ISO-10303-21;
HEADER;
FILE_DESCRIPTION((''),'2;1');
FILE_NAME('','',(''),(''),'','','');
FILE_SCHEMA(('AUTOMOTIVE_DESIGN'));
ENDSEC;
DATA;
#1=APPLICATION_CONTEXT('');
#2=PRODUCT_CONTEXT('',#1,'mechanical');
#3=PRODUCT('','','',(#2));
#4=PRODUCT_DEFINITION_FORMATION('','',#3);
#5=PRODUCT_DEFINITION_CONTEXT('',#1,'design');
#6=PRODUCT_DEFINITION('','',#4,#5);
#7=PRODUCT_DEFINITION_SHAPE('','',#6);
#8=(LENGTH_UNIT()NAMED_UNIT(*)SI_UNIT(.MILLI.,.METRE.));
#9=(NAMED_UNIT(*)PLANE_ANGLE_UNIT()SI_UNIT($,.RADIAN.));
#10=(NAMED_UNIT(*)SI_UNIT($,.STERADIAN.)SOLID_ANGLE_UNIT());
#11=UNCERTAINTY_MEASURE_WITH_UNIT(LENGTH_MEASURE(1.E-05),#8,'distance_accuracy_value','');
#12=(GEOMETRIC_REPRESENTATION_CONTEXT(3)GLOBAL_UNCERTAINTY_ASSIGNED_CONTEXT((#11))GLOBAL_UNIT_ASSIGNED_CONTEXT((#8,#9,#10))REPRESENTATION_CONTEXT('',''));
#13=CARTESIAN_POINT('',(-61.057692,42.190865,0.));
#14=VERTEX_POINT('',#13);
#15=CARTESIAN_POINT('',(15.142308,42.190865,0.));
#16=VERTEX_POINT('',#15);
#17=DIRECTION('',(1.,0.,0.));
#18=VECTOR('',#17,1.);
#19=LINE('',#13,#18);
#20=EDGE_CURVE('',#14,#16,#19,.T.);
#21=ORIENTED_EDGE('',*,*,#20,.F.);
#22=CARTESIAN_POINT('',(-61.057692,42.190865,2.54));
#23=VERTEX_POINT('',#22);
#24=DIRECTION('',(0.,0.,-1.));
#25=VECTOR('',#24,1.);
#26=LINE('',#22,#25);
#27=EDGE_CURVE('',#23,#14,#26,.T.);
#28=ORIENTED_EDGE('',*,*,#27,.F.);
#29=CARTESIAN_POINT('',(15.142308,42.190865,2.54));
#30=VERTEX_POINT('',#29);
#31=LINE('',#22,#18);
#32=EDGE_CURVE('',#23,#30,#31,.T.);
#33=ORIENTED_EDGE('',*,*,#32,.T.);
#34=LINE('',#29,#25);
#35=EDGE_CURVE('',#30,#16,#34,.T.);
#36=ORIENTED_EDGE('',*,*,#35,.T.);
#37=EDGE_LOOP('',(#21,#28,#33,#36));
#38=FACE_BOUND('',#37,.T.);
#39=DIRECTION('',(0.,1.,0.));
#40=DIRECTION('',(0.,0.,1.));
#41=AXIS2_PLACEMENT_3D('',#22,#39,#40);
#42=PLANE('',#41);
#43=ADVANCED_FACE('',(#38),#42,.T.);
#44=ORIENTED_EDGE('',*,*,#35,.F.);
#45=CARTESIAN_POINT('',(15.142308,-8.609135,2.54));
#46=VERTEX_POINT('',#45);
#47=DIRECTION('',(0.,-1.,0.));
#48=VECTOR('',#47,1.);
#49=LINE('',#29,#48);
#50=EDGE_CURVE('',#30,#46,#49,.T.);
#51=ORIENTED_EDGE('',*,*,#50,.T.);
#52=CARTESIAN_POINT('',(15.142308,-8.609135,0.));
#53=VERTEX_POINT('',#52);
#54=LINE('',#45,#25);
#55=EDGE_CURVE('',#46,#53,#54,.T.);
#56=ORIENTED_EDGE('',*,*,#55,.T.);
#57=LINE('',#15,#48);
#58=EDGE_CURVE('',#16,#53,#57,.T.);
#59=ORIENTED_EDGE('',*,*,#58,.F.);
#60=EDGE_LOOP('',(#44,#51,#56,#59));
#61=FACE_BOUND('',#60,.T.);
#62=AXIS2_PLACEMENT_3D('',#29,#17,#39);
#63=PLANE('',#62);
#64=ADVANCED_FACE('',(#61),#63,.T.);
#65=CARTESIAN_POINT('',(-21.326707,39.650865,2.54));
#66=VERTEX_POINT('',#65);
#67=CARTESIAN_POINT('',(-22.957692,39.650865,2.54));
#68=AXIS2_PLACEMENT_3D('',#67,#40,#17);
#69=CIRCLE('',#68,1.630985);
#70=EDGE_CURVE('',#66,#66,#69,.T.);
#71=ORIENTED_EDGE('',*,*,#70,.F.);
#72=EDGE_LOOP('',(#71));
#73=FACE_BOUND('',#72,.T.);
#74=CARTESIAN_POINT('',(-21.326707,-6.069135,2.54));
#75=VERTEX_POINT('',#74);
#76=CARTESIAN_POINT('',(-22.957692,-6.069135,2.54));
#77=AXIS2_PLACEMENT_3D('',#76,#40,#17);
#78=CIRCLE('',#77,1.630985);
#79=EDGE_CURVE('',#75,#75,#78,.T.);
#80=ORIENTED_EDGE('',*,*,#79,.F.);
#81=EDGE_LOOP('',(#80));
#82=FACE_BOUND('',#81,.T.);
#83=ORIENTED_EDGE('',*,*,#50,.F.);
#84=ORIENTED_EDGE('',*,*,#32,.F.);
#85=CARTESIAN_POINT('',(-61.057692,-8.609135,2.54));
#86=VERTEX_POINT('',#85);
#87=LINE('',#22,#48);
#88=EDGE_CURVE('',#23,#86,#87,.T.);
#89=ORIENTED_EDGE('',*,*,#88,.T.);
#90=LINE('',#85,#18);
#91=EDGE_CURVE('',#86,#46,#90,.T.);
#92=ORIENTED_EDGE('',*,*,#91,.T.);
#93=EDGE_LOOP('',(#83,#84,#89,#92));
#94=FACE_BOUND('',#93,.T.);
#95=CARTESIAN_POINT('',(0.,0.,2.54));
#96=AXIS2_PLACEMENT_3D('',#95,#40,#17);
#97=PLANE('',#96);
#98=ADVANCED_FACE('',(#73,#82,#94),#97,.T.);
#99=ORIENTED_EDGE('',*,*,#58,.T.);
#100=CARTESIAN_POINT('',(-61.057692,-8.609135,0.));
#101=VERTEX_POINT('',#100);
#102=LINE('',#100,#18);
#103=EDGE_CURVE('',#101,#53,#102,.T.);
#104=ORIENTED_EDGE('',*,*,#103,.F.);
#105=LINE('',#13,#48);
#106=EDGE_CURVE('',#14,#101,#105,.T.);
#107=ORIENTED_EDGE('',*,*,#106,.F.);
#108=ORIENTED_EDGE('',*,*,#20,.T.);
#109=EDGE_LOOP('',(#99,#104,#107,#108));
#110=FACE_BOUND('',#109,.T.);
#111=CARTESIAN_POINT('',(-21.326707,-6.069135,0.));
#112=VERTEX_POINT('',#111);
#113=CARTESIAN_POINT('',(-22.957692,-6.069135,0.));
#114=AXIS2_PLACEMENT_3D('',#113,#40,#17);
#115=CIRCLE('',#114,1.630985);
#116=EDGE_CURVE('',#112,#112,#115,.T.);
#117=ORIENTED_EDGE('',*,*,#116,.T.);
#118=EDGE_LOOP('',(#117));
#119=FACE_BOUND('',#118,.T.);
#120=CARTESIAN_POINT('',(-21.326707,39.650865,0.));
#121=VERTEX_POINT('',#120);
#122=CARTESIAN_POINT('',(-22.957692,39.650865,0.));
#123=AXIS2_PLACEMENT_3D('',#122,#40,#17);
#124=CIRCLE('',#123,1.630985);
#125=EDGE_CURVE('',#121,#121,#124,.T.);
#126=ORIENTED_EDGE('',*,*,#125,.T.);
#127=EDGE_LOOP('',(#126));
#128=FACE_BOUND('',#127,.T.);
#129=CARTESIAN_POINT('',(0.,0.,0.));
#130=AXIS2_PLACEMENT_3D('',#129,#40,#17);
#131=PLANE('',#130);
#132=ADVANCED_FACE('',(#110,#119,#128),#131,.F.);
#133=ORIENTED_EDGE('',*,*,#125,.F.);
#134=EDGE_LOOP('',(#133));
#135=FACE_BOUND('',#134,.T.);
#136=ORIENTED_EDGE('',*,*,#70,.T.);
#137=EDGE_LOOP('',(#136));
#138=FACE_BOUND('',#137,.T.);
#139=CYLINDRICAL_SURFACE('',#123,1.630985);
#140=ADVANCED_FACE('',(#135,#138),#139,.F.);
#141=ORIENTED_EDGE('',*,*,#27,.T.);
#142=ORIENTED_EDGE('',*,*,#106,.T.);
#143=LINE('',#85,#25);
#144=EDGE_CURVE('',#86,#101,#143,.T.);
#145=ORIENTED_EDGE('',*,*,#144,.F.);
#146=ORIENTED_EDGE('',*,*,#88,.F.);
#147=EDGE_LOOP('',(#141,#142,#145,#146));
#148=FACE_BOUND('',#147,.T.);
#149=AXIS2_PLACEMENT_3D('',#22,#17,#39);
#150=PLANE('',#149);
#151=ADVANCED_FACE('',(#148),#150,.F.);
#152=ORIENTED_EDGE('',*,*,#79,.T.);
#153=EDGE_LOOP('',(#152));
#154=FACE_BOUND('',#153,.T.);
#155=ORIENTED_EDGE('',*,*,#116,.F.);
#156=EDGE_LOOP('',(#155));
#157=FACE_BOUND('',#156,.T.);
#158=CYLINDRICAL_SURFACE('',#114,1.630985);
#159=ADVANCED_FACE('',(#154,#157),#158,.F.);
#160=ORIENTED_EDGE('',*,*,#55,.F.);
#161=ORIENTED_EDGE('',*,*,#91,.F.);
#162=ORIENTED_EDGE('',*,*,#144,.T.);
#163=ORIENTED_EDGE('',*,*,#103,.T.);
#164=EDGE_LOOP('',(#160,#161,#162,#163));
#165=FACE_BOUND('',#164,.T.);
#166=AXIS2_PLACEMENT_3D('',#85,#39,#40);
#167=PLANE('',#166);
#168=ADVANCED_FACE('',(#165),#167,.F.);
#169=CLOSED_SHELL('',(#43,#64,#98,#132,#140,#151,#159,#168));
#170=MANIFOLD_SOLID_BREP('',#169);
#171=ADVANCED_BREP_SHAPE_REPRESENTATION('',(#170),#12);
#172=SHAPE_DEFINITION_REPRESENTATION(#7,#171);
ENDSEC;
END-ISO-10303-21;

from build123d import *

# Parameters (mm, degrees)
SKETCH2_W           = 76.2
SKETCH2_H           = 50.8
BOSS_EXTRUDE1_DEPTH = 2.54
SKETCH6_R           = 1.630985467
CUT_EXTRUDE1_DEPTH  = 75.260100403
SKETCH7_R           = 1.630985467
CUT_EXTRUDE2_DEPTH  = 75.260100403


with BuildPart() as part:
    # Sketch2 → Boss-Extrude1 (new body)
    with BuildSketch(Plane.XY):
        with Locations((-22.957692308, 16.790865385)):
            Rectangle(SKETCH2_W, SKETCH2_H)
    extrude(amount=BOSS_EXTRUDE1_DEPTH)

    # Sketch6 → Cut-Extrude1 (cut, through all)
    with BuildSketch(Plane.XY.offset(2.54)):
        with Locations((-22.957692308, 39.650865385)):
            Circle(SKETCH6_R)
    extrude(amount=-CUT_EXTRUDE1_DEPTH, mode=Mode.SUBTRACT)

    # Sketch7 → Cut-Extrude2 (cut, through all)
    with BuildSketch(Plane.XY.offset(2.54)):
        with Locations((-22.957692308, -6.069134615)):
            Circle(SKETCH7_R)
    extrude(amount=-CUT_EXTRUDE2_DEPTH, mode=Mode.SUBTRACT)


solid = part.part
